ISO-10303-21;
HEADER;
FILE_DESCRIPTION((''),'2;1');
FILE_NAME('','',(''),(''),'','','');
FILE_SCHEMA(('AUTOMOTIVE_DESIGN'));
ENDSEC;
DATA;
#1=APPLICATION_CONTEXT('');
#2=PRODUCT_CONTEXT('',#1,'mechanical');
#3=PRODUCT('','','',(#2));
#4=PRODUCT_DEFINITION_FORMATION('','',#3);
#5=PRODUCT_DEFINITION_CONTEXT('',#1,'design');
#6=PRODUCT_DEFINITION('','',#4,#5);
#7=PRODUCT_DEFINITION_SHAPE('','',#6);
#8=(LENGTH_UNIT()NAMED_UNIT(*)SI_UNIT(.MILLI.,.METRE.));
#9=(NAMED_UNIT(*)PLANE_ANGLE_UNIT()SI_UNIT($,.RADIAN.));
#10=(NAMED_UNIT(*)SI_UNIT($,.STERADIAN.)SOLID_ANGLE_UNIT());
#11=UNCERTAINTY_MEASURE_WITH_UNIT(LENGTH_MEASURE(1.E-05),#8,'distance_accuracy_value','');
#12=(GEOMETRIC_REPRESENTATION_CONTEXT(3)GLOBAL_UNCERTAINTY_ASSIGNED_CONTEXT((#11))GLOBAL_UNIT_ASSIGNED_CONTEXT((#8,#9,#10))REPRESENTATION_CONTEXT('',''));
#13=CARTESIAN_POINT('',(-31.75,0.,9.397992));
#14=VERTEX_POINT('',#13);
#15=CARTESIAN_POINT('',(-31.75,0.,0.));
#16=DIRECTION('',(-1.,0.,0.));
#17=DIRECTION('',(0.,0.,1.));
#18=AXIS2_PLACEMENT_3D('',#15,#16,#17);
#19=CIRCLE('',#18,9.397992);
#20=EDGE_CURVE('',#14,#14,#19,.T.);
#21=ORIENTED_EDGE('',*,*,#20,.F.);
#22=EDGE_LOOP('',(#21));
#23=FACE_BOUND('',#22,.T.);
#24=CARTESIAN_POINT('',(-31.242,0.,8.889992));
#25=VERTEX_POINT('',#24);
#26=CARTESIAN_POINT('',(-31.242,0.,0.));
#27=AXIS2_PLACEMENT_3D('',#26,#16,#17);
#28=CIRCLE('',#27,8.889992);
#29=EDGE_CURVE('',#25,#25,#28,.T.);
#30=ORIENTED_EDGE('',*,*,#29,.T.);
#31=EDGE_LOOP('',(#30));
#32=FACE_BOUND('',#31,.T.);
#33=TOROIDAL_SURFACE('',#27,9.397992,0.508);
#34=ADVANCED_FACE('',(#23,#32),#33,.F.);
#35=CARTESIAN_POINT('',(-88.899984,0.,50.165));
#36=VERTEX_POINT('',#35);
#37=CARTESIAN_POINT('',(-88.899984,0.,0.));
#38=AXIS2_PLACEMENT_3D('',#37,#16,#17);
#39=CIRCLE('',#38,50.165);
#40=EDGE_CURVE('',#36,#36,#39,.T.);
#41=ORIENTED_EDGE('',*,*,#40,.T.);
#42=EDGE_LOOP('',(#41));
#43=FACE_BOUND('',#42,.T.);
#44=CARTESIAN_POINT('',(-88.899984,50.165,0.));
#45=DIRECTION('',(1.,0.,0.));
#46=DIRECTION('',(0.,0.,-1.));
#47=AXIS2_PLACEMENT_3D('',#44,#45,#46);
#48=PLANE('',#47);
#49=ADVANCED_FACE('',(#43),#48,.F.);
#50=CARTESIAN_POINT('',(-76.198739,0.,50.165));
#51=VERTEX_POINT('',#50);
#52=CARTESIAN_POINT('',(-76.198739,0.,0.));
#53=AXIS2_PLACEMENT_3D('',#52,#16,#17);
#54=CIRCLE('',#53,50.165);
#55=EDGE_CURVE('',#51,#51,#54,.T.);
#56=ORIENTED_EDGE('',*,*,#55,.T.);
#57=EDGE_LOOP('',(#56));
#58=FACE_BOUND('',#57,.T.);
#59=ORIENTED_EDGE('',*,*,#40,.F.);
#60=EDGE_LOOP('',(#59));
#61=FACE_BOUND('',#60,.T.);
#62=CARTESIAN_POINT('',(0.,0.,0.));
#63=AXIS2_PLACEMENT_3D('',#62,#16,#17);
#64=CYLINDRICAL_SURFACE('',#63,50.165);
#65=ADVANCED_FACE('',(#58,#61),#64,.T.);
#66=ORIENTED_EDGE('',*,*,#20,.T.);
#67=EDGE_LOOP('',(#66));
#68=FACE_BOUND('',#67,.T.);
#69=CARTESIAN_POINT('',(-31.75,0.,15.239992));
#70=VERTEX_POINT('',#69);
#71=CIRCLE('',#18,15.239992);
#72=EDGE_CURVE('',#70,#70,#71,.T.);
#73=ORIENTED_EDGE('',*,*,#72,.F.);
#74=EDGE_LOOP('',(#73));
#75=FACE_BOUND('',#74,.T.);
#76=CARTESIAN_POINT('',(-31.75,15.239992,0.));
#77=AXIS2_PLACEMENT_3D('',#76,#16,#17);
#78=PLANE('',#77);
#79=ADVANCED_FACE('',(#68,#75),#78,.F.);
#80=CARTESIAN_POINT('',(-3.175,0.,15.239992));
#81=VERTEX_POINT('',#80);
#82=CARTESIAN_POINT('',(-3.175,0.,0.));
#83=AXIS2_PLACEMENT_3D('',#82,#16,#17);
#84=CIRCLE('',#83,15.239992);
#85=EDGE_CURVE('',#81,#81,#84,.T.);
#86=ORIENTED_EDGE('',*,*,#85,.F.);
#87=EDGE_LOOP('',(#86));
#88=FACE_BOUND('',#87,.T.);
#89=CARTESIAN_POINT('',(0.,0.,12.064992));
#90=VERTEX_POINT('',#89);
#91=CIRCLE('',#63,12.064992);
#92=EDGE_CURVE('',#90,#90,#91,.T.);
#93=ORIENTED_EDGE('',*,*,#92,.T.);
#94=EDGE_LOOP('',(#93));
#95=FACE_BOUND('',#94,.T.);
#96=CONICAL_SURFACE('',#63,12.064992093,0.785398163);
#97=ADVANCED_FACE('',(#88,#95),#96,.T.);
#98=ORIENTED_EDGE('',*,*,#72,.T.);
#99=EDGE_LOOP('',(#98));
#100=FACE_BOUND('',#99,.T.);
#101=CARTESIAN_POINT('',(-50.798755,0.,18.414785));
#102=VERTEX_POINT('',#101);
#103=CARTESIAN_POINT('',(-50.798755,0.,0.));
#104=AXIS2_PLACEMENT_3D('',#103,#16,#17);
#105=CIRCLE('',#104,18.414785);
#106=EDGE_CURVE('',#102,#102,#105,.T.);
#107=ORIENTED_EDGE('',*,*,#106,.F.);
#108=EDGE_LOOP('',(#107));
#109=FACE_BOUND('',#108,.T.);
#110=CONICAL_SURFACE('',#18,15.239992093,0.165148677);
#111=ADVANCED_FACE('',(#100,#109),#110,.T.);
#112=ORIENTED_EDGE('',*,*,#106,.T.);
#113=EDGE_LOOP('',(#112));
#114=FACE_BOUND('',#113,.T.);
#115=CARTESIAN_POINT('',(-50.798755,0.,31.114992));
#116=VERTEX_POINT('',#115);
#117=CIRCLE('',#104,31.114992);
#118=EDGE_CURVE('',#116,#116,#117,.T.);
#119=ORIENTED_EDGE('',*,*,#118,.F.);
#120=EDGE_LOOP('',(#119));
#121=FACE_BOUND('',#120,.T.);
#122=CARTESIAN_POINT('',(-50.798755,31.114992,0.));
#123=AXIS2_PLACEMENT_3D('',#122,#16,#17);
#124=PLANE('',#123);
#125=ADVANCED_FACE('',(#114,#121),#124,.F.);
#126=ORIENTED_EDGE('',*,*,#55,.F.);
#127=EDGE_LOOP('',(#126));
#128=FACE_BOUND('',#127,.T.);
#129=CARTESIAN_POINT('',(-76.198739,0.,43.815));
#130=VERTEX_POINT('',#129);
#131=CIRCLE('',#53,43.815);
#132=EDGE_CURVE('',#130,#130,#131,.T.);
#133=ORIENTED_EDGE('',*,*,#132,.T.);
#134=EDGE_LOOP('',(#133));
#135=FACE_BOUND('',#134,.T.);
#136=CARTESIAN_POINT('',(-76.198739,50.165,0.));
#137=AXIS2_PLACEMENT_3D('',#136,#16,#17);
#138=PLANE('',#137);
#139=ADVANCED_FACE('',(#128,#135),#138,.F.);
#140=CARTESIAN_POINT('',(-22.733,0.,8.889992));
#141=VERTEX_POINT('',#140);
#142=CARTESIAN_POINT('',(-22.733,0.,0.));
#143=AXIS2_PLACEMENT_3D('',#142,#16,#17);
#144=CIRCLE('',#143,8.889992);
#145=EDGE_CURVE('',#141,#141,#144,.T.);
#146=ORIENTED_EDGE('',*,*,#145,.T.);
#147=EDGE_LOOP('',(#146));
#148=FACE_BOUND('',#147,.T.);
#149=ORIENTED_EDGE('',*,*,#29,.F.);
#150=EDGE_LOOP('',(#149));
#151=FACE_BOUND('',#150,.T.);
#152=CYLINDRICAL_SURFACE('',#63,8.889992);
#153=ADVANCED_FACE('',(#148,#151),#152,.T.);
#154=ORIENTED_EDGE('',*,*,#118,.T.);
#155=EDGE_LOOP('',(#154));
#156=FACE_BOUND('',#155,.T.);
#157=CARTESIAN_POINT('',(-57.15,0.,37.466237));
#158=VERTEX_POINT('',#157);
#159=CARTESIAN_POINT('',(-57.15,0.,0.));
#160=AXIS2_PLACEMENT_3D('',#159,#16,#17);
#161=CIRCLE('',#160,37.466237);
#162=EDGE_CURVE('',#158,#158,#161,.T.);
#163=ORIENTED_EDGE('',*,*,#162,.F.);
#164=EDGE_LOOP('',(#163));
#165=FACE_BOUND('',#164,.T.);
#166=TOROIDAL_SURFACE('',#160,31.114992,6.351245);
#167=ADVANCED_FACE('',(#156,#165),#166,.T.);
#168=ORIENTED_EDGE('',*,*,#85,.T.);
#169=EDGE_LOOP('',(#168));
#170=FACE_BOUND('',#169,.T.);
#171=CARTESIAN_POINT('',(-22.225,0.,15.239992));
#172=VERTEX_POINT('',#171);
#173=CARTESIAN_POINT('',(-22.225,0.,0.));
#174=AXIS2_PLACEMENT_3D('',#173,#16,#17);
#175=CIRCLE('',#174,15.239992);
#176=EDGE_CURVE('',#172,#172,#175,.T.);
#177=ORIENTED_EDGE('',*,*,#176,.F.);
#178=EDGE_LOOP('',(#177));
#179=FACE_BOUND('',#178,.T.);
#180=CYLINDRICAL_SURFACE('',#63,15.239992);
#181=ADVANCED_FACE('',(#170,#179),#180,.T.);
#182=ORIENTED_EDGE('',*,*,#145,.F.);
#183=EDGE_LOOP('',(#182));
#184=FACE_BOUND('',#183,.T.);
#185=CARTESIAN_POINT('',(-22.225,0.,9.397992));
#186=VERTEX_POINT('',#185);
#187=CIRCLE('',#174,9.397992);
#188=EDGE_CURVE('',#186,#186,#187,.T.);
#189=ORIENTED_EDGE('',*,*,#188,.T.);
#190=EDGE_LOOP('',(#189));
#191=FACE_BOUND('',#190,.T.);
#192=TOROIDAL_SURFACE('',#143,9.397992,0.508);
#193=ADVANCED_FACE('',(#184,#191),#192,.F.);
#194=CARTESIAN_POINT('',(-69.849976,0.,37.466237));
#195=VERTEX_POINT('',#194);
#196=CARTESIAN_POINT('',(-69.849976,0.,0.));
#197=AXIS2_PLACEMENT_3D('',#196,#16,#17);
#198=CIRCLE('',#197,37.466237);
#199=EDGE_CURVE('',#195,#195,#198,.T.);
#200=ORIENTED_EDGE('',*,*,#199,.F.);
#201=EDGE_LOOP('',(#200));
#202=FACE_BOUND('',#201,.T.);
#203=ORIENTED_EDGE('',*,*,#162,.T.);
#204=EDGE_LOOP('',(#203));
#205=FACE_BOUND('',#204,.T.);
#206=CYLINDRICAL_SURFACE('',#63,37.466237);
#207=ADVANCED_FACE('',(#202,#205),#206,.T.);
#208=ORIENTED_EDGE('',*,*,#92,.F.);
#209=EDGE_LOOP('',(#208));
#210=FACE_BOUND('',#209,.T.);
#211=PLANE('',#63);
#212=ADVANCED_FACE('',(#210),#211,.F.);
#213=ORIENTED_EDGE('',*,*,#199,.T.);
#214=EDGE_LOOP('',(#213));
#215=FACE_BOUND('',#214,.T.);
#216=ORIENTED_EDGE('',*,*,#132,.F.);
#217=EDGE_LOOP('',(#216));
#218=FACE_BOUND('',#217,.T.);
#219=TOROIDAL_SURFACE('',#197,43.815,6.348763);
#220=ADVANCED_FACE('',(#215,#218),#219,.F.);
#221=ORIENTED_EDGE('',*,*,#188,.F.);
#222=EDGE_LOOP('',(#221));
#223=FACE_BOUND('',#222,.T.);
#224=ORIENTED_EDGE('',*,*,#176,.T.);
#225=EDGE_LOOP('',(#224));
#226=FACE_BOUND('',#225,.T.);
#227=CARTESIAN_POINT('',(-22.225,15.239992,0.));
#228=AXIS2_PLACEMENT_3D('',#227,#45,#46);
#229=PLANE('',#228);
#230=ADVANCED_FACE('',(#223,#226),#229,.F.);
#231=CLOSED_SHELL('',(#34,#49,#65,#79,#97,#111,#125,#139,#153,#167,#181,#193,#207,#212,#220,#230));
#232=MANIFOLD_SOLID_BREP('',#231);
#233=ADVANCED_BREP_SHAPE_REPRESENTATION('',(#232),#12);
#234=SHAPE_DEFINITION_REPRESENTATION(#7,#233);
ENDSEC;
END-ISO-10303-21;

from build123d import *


with BuildPart() as part:
    # Sketch1 → Base-Revolve (revolve)
    with BuildSketch(Plane.XY, mode=Mode.PRIVATE) as base_revolve_sk:
        with BuildLine():
            Line((-88.899984186, 50.165), (-76.198738953, 50.165))
            Line((-76.198738953, 50.165), (-76.198738953, 43.815))
            ThreePointArc((-76.198738953, 43.815), (-74.339229418, 39.325746861), (-69.849976278, 37.466237326))
            Line((-69.849976278, 37.466237326), (-57.15, 37.466237326))
            ThreePointArc((-57.15, 37.466237326), (-52.658991427, 35.606000666), (-50.798754767, 31.114992093))
            Line((-50.798754767, 31.114992093), (-50.798754767, 18.414784554))
            Line((-50.798754767, 18.414784554), (-31.75, 15.239992093))
            Line((-31.75, 15.239992093), (-31.75, 9.397992093))
            ThreePointArc((-31.75, 9.397992093), (-31.601210245, 9.038781848), (-31.242, 8.889992093))
            Line((-31.242, 8.889992093), (-22.733, 8.889992093))
            ThreePointArc((-22.733, 8.889992093), (-22.373789755, 9.038781848), (-22.225, 9.397992093))
            Line((-22.225, 9.397992093), (-22.225, 15.239992093))
            Line((-22.225, 15.239992093), (-3.175, 15.239992093))
            Line((-3.175, 15.239992093), (0, 12.064992093))
            Line((0, 12.064992093), (0, 0))
            Line((0, 0), (-88.899984186, 0))
            Line((-88.899984186, 0), (-88.899984186, 50.165))
        make_face()
    revolve(base_revolve_sk.sketch.rotate(Axis((0, 0, 0), (1, 0, 0)), 90), axis=Axis((0, 0, 0), (1, 0, 0)))


solid = part.part
